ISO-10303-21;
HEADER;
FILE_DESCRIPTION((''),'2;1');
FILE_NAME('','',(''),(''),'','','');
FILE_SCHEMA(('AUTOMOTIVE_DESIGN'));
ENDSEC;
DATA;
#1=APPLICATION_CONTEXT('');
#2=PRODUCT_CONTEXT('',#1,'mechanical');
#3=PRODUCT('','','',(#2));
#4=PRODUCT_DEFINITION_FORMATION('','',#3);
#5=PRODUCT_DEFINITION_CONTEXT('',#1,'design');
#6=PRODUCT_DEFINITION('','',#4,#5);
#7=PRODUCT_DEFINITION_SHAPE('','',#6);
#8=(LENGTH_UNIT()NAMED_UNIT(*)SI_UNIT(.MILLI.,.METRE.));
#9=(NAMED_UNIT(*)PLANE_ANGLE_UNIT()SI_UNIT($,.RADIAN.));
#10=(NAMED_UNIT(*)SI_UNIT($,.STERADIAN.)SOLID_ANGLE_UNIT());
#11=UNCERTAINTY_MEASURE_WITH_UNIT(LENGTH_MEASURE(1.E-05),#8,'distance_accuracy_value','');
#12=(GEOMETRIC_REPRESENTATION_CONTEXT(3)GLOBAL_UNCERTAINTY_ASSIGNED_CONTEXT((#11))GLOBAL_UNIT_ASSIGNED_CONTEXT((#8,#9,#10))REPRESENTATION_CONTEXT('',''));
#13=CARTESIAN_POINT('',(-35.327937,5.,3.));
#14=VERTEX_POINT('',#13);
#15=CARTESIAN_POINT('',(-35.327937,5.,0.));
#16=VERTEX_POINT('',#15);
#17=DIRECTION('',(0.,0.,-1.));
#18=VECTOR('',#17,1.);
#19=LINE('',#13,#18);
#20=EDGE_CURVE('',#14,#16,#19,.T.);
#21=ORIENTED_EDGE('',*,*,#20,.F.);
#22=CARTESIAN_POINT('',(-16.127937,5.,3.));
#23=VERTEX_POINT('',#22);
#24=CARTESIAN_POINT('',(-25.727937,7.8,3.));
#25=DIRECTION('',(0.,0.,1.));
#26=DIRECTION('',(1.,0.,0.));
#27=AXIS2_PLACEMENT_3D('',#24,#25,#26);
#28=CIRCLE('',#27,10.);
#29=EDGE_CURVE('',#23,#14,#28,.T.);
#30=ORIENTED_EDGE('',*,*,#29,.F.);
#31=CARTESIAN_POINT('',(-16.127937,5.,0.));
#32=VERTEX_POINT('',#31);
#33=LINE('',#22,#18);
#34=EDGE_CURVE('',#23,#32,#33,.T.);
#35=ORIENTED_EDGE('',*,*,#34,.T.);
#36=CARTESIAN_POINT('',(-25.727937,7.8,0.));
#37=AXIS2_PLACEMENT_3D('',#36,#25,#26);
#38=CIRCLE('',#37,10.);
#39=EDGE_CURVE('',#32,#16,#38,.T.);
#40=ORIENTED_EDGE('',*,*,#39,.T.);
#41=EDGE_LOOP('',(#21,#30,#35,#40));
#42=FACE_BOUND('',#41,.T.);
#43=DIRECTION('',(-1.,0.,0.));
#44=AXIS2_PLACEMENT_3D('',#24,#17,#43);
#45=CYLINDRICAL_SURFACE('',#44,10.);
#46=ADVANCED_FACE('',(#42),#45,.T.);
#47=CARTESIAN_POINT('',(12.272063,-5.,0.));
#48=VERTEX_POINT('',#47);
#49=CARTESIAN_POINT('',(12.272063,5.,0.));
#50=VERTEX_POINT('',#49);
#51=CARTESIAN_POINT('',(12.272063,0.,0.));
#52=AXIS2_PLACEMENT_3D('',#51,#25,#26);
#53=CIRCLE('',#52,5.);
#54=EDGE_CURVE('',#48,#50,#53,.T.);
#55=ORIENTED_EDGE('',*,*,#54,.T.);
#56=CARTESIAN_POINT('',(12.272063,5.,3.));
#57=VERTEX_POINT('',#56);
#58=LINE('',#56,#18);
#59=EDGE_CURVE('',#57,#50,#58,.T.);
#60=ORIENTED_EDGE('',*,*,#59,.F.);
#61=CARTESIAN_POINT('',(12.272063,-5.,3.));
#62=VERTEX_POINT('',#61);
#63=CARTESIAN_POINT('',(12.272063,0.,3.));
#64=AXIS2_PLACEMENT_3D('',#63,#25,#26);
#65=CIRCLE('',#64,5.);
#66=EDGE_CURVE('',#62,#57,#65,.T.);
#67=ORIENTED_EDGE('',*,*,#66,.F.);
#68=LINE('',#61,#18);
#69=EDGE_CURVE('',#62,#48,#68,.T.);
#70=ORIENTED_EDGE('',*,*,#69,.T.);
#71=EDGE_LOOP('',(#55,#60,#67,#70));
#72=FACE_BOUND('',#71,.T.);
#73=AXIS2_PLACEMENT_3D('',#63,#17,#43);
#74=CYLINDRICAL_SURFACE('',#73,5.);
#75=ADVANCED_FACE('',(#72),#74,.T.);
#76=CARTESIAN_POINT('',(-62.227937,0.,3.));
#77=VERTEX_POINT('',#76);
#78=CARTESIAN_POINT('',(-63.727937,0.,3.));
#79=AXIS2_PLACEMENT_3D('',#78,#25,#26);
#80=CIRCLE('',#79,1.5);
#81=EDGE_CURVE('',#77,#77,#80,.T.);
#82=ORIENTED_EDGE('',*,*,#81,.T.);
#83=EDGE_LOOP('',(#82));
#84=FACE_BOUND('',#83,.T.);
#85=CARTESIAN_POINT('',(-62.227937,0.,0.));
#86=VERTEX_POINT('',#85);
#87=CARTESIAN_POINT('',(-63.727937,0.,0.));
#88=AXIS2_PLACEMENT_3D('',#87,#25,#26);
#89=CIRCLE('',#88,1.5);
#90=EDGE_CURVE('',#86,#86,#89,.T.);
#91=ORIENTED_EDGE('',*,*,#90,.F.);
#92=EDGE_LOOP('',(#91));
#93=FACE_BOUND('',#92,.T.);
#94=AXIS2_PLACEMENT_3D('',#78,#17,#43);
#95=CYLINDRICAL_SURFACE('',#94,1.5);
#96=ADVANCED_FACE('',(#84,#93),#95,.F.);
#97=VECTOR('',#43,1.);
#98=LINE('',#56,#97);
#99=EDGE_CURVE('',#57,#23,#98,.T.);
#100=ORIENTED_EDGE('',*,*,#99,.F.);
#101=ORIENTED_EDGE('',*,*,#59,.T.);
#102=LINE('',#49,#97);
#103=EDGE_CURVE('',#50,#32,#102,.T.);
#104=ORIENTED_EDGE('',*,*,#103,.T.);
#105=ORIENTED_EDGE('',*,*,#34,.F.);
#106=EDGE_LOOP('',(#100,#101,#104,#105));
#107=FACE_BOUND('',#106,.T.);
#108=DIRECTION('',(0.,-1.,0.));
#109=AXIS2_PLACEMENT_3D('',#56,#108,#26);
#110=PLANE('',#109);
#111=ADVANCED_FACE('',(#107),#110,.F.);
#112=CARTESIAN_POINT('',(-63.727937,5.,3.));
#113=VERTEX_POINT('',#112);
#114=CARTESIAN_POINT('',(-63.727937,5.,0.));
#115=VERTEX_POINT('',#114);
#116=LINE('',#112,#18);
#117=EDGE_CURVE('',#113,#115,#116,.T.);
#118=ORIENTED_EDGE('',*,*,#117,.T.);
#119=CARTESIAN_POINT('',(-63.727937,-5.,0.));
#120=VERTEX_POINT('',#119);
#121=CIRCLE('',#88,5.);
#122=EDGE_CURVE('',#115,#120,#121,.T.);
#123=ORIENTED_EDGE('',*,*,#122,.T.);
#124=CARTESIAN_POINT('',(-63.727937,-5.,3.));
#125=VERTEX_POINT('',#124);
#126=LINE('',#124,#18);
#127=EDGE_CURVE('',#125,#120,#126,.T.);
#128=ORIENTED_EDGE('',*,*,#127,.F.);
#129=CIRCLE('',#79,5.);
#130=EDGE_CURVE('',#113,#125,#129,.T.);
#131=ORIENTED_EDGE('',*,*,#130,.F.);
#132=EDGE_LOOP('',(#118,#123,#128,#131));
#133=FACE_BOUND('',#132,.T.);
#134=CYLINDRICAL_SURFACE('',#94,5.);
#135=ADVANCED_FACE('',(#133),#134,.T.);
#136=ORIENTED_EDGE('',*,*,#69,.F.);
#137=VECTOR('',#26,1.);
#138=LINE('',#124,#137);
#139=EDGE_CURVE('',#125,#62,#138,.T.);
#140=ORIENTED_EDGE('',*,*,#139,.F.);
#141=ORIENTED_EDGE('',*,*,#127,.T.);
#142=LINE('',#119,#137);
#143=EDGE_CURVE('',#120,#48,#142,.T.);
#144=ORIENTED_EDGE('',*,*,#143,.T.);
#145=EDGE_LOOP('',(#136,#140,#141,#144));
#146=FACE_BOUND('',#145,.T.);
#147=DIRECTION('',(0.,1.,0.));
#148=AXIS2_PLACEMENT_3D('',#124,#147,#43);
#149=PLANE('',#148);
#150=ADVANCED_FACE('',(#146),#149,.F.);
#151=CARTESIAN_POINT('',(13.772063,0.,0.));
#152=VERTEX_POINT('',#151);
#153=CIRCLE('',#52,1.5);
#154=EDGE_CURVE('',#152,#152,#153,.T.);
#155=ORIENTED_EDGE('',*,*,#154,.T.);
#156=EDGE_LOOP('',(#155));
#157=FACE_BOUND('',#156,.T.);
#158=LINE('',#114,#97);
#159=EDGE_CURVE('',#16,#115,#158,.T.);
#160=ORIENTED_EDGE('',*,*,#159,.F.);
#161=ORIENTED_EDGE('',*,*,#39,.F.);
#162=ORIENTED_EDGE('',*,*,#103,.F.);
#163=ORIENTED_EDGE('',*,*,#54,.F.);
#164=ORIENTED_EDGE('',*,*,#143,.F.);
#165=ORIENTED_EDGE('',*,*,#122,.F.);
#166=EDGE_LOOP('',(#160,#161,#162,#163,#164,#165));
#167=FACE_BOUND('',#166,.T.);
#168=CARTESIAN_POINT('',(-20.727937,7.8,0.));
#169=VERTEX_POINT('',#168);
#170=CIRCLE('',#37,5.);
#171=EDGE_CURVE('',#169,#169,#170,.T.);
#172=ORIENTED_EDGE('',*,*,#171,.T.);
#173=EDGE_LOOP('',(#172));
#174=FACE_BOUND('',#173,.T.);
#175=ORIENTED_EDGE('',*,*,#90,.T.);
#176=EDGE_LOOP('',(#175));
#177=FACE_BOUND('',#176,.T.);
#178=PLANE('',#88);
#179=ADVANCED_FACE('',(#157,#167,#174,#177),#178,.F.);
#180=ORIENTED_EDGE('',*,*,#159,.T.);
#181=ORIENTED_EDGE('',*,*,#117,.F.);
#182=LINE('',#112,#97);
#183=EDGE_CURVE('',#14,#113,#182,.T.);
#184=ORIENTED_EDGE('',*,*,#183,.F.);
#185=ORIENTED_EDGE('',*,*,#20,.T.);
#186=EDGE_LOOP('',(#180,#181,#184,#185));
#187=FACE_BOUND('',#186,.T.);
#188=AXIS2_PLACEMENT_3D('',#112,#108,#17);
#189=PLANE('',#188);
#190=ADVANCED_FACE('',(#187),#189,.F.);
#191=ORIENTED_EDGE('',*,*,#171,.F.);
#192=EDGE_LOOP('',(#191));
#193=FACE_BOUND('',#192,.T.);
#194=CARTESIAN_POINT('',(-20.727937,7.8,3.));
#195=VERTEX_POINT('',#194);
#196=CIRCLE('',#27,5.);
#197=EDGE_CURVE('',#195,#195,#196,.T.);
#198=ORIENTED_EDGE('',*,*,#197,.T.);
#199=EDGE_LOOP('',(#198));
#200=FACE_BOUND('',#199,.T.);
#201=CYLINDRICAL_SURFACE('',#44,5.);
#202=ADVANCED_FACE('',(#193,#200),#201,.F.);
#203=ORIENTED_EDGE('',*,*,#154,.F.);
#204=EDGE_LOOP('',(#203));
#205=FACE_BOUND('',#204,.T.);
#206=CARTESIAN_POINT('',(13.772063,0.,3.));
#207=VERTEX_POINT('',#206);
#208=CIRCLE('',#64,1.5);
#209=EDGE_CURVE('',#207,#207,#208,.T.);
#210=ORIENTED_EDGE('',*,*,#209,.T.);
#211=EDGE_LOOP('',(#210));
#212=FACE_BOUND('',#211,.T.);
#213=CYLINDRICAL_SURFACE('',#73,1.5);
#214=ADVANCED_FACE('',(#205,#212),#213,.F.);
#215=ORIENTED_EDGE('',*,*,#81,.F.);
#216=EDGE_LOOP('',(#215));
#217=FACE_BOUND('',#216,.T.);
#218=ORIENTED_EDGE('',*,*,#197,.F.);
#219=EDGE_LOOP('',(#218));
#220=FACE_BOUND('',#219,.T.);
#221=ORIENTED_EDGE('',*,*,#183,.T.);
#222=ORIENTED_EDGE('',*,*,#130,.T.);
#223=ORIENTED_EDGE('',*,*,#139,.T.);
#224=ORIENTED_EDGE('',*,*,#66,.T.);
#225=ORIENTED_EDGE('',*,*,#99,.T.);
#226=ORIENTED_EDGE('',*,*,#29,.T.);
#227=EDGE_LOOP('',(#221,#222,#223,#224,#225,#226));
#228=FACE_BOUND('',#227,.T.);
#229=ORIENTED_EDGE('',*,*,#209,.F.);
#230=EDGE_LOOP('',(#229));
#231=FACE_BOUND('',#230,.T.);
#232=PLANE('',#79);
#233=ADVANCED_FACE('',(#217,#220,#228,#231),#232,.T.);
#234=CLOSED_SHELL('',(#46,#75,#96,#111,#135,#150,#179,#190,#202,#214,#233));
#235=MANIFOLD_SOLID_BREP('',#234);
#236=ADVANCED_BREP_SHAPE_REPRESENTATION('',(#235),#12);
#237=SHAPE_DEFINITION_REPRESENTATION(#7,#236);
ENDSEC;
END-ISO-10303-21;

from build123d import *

# Parameters (mm, degrees)
SKETCH1_R           = 5
SKETCH1_R_2         = 1.5
BOSS_EXTRUDE1_DEPTH = 3


with BuildPart() as part:
    # Sketch1 → Boss-Extrude1 (new body)
    with BuildSketch(Plane.XY):
        with BuildLine():
            Line((-63.727937359, 5), (-35.327937359, 5))
            ThreePointArc((-35.327937359, 5), (-25.727937359, 17.8), (-16.127937359, 5))
            Line((-16.127937359, 5), (12.272062641, 5))
            ThreePointArc((12.272062641, 5), (17.272062641, 0), (12.272062641, -5))
            Line((12.272062641, -5), (-63.727937359, -5))
            ThreePointArc((-63.727937359, -5), (-68.727937359, 0), (-63.727937359, 5))
        make_face()
        with Locations((-25.727937359, 7.8)):
            Circle(SKETCH1_R, mode=Mode.SUBTRACT)
        with Locations((-63.727937359, 0)):
            Circle(SKETCH1_R_2, mode=Mode.SUBTRACT)
        with Locations((12.272062641, 0)):
            Circle(SKETCH1_R_2, mode=Mode.SUBTRACT)
    extrude(amount=BOSS_EXTRUDE1_DEPTH)


solid = part.part
